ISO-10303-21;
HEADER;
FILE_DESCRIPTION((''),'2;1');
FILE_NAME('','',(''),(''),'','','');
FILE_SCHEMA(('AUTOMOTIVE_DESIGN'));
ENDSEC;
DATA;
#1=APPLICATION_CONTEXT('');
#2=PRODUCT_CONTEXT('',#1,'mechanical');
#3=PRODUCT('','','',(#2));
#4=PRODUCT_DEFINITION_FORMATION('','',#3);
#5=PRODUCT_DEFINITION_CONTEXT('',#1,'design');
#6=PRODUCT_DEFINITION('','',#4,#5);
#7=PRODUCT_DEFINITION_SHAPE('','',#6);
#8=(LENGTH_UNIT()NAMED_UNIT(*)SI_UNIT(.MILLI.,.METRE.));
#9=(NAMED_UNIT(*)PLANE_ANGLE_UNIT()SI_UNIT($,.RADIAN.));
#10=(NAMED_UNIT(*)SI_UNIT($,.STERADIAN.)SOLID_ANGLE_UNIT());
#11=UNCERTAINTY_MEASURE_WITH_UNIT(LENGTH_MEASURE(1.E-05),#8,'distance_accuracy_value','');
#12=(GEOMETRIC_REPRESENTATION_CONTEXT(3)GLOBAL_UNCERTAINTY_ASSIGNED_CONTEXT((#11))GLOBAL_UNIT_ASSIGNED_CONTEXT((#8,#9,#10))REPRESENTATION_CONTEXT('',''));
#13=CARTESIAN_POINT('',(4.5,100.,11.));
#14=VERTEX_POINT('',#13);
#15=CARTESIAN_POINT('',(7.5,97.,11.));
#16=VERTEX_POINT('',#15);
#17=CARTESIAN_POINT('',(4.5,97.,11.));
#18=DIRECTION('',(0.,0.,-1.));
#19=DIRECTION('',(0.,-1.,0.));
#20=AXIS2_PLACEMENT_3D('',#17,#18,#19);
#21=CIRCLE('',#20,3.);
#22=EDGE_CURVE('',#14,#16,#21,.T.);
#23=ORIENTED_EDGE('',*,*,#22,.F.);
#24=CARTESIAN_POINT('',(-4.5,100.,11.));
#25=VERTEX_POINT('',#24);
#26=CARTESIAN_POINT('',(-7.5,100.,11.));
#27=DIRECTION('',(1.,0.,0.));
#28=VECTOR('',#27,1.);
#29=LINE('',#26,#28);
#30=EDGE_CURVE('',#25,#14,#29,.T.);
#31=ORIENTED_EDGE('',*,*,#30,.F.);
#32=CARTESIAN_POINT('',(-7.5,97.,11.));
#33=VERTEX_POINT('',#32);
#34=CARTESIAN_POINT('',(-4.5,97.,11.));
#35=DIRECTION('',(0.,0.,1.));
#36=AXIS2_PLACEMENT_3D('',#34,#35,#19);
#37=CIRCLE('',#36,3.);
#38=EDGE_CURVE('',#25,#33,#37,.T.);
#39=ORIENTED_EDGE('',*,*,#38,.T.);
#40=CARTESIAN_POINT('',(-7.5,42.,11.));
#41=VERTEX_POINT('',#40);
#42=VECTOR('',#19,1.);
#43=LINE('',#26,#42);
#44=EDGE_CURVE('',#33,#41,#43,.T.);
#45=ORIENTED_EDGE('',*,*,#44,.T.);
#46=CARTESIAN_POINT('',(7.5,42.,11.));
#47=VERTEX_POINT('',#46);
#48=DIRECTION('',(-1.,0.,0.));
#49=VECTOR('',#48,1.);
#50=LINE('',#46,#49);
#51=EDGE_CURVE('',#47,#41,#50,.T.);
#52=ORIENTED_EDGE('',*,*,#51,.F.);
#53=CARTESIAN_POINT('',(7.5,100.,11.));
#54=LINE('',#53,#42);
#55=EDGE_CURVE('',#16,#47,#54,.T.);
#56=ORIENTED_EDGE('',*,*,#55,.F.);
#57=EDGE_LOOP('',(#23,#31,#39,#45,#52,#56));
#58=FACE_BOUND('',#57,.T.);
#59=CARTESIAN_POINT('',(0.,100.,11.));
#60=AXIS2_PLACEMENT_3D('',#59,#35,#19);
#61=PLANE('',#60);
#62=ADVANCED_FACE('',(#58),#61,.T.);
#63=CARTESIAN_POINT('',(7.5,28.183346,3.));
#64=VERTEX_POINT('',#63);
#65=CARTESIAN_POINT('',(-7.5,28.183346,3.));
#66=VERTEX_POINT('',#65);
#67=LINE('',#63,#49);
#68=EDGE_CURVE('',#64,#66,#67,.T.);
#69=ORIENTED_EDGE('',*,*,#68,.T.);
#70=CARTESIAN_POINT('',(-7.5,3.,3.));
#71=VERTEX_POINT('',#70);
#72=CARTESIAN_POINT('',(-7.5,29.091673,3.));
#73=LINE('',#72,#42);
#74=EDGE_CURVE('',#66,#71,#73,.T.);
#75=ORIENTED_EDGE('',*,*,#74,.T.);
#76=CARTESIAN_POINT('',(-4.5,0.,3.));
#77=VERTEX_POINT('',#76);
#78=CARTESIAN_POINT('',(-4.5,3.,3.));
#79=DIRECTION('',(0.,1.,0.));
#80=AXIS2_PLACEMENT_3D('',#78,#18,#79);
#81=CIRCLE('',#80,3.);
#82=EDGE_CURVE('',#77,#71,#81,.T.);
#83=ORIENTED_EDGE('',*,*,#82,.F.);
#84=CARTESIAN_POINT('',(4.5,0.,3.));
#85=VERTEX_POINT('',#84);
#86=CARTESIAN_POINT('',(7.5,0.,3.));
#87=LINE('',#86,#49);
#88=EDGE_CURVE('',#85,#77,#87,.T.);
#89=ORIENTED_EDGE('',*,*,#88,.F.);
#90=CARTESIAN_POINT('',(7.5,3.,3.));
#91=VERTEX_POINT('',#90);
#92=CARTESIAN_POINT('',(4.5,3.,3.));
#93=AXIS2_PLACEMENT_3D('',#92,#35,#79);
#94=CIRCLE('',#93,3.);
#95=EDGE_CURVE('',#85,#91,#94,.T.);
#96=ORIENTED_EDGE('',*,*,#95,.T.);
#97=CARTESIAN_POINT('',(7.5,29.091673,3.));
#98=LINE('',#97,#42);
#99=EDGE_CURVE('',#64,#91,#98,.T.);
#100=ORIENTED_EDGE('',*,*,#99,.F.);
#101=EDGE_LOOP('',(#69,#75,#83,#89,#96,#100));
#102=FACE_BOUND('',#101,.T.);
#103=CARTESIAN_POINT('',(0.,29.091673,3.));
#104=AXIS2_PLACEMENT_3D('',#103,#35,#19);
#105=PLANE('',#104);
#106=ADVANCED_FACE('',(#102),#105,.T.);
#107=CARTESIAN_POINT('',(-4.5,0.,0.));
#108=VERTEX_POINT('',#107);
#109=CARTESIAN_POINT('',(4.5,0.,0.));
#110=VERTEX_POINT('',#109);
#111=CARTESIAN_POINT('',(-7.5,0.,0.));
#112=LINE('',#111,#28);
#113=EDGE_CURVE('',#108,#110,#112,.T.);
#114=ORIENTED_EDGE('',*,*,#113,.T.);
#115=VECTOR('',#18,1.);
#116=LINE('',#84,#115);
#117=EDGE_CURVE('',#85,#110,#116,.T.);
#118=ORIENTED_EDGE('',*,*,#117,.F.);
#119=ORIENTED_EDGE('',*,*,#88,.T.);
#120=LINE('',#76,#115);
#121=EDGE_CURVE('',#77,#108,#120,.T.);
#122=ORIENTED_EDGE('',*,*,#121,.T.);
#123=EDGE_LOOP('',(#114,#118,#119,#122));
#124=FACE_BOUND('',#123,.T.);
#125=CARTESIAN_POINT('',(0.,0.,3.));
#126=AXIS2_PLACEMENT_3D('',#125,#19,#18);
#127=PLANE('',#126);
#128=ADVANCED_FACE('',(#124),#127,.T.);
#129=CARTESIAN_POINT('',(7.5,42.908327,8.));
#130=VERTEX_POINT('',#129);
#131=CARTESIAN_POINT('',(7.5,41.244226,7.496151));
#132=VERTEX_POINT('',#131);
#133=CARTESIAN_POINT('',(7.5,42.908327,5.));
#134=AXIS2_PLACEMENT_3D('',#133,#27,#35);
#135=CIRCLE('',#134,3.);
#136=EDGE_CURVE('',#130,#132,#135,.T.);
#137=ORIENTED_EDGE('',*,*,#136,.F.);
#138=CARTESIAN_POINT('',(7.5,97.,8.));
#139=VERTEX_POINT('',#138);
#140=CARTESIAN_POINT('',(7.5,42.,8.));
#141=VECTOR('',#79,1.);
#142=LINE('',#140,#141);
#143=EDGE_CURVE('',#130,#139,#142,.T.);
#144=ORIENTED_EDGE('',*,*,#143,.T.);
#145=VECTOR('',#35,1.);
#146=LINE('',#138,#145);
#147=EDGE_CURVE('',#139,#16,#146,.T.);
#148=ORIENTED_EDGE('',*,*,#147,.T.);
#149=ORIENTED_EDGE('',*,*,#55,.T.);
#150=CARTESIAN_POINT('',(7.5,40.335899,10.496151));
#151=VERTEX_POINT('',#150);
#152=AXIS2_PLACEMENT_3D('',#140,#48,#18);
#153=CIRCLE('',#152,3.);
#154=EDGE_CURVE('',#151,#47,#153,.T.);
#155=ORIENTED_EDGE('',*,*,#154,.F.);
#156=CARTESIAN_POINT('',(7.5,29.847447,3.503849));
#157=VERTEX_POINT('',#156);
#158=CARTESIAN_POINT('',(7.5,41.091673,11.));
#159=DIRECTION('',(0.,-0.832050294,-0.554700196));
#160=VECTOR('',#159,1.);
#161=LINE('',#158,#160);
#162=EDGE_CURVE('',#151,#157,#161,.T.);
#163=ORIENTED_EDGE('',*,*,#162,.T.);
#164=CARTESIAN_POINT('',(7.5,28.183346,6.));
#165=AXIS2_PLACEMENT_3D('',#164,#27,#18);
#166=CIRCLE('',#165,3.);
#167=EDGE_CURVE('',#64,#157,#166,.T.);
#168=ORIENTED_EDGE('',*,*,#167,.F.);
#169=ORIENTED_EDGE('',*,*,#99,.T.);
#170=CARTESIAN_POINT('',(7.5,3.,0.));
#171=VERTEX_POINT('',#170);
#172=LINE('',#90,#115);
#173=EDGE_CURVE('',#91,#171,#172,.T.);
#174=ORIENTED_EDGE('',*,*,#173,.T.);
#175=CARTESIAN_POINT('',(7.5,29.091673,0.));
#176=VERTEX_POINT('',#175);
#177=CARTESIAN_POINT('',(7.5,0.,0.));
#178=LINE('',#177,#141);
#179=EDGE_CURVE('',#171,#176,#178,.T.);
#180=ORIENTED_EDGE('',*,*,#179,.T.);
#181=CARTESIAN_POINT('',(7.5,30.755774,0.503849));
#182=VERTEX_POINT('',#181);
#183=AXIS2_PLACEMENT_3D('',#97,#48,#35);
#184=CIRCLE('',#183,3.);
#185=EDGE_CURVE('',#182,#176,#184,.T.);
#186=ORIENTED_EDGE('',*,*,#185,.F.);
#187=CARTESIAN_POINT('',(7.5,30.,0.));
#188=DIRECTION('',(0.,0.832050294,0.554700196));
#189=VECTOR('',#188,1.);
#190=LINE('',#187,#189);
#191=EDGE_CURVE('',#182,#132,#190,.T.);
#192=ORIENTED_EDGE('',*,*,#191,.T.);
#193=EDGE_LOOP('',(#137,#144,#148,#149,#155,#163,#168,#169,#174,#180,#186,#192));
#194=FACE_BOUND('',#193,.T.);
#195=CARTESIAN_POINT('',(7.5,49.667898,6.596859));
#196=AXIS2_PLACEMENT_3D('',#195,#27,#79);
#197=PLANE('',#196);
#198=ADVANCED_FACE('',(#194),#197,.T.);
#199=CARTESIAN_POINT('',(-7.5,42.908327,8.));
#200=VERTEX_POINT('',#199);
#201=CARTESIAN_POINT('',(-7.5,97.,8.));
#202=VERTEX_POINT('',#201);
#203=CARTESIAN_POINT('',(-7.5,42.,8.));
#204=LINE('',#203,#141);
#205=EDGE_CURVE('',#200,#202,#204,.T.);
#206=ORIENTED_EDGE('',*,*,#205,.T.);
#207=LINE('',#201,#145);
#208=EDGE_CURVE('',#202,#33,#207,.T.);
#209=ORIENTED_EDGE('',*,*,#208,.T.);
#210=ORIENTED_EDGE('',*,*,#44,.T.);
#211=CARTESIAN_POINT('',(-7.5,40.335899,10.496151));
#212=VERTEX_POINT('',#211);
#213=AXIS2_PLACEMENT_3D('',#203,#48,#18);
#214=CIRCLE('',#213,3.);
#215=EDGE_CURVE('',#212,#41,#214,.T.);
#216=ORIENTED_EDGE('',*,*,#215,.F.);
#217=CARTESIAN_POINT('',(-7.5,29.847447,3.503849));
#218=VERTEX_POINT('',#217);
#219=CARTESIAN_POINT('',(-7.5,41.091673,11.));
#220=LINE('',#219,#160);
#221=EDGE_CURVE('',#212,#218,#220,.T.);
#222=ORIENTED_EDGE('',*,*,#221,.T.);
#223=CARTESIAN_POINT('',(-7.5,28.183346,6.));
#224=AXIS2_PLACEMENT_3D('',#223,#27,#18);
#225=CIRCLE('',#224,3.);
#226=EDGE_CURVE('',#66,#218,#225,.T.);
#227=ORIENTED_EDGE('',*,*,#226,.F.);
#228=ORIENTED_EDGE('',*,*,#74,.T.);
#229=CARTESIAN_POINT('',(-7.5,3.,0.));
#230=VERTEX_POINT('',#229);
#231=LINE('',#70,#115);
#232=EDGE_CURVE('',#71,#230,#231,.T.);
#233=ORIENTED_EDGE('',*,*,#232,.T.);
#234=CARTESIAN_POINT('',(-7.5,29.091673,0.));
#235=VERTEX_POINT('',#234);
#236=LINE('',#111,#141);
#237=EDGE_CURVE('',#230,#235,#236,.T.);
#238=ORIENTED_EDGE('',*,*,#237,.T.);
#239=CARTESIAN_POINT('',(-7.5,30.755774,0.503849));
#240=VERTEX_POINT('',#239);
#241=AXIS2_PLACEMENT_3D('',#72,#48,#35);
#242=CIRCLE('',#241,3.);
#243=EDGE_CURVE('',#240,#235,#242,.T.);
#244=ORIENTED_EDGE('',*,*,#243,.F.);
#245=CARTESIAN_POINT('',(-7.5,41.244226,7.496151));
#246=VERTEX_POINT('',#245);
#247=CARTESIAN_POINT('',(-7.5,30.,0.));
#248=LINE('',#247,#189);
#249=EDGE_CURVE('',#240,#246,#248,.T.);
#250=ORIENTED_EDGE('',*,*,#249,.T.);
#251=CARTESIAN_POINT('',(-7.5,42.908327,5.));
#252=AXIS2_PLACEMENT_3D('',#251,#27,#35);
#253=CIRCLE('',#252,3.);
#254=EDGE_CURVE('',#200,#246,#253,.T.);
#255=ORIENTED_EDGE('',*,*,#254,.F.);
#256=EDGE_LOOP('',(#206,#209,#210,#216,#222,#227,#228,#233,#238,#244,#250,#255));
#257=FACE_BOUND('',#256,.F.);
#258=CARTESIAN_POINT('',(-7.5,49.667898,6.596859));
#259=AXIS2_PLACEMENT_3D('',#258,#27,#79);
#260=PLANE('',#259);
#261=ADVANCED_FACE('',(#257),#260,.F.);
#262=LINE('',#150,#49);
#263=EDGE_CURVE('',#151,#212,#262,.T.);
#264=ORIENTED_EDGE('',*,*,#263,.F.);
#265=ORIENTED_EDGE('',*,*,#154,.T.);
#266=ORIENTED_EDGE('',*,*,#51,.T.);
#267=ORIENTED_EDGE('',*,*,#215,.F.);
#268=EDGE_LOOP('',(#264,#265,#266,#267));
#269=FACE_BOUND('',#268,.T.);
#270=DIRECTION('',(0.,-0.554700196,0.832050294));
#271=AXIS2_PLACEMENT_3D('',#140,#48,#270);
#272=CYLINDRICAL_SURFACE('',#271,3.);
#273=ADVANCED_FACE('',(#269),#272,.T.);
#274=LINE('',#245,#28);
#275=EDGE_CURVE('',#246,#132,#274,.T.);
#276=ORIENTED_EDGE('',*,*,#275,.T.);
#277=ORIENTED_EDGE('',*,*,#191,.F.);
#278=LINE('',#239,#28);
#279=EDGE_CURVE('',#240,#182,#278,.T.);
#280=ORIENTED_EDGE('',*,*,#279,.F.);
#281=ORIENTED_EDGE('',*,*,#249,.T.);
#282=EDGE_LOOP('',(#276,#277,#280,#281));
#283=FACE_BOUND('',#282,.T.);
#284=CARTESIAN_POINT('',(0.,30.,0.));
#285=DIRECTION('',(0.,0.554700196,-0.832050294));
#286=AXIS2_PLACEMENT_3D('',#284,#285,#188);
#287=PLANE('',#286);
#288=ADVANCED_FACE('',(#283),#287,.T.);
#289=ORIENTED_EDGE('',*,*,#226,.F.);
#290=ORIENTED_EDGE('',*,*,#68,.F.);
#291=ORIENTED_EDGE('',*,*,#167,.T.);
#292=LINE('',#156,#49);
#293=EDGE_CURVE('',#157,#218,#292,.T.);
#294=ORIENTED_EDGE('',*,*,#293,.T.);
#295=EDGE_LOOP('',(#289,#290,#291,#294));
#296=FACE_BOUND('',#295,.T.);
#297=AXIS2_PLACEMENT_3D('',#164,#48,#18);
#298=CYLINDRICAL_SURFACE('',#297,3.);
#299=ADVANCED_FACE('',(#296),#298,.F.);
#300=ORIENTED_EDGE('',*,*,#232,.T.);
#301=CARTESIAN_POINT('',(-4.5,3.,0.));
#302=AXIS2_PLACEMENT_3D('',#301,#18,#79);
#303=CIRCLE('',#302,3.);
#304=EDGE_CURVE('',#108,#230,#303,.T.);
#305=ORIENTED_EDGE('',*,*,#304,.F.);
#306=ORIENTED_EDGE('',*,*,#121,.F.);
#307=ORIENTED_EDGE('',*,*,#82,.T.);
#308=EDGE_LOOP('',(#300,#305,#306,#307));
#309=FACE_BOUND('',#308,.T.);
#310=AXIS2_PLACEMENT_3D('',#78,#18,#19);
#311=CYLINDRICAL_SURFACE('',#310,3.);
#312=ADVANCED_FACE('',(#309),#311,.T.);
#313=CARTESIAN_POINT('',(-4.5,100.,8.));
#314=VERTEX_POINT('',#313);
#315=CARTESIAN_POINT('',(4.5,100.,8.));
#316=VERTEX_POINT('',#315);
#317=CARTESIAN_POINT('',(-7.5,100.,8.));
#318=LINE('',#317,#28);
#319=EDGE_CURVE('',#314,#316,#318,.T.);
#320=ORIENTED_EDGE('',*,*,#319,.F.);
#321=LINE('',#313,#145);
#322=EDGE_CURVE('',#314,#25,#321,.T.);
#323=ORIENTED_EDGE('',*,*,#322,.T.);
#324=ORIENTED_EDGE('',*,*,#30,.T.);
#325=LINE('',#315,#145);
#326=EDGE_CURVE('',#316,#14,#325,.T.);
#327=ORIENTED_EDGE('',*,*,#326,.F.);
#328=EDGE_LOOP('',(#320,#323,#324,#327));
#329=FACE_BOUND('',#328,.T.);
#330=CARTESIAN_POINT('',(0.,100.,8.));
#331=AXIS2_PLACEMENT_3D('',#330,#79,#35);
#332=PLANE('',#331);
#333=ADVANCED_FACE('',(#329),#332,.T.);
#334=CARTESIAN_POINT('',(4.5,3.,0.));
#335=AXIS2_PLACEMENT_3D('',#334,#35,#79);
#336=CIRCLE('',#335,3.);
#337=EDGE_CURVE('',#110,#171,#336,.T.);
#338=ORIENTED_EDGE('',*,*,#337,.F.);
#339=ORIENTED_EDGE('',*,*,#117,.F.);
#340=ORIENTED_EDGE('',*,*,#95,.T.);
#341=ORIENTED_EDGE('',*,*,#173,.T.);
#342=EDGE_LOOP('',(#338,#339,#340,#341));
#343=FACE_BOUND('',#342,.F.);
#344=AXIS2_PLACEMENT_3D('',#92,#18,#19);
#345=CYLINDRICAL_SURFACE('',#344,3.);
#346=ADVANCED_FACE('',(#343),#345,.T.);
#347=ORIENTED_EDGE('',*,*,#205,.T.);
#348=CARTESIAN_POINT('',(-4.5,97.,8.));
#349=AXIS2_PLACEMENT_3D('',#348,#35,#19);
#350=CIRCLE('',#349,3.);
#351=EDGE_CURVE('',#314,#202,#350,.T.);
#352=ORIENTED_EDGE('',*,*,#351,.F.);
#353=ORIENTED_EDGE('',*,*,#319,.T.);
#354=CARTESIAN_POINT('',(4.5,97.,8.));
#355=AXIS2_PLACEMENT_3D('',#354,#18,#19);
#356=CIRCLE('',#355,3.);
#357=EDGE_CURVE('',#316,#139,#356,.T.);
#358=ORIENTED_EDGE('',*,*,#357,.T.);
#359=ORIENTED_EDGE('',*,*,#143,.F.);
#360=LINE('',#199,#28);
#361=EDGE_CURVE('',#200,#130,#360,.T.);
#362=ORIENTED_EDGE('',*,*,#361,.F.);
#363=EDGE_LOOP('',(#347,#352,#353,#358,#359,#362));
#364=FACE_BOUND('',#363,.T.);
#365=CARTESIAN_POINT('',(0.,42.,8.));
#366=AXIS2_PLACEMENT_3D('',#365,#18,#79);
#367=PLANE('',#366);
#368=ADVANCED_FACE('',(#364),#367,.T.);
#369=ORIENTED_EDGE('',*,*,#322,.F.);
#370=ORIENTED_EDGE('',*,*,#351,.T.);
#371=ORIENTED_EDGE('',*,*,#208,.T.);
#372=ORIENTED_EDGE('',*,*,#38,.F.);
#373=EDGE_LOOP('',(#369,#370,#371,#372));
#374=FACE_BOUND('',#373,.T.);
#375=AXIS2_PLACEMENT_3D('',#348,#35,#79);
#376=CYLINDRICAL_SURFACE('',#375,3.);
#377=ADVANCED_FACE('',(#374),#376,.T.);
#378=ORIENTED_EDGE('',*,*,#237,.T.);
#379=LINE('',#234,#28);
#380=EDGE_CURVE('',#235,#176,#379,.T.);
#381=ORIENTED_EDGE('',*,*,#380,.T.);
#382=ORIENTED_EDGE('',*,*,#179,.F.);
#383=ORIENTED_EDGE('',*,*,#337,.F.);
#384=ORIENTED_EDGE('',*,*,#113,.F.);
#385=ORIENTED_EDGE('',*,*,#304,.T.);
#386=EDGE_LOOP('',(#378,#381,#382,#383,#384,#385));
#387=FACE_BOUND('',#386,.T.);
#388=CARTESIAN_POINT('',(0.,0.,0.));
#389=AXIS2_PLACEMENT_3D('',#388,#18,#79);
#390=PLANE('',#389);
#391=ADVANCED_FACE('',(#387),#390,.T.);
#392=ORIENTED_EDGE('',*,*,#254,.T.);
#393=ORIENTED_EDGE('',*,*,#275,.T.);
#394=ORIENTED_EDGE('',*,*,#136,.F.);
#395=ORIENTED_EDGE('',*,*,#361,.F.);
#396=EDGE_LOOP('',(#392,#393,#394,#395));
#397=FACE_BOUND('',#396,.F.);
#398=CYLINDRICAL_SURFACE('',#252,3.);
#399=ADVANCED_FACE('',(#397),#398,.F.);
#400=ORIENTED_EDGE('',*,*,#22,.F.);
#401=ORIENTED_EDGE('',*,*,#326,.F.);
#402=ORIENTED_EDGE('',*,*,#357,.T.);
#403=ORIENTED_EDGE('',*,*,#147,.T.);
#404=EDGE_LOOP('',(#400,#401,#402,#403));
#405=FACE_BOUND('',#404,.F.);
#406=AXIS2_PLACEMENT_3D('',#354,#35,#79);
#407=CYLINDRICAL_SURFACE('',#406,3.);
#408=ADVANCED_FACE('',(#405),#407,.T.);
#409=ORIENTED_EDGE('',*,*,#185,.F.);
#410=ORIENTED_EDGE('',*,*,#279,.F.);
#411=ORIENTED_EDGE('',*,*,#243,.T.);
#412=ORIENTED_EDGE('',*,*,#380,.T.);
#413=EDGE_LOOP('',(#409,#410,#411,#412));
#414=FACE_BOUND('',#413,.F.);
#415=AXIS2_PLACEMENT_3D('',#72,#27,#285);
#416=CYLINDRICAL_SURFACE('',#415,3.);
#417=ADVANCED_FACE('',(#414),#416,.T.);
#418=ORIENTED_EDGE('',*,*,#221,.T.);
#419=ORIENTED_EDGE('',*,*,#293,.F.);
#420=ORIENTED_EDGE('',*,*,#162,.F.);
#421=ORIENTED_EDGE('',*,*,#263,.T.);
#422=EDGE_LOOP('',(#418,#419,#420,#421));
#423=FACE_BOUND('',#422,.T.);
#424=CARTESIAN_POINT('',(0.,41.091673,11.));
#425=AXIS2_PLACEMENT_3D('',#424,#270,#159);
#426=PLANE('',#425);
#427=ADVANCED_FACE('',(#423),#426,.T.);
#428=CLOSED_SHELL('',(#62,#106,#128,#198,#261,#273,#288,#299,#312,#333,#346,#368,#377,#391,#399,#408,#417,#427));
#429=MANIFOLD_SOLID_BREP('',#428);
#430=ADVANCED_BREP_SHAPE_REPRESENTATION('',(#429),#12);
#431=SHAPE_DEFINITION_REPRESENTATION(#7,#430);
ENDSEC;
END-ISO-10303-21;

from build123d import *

# Parameters (mm, degrees)
F1_DEPTH = 7.5
F2_R     = 3


with BuildPart() as f1:
    # F0 (on Right) → F1 (new body, symmetric)
    with BuildSketch(Plane.YZ):
        Polygon((0, 3), (0, 0), (30, 0), (42, 8), (100, 8), (100, 11), (41.091673, 11), (29.091673, 3), align=None)
    extrude(amount=F1_DEPTH, both=True)

    # F2
    f2_edges = [f1.edges().sort_by_distance(p)[0] for p in [
        (7.5, 0, 1.5),
        (-7.5, 0, 1.5),
        (0, 41.091673, 11),
        (0, 29.091673, 3),
        (0, 30, 0),
        (0, 42, 8),
        (7.5, 100, 9.5),
        (-7.5, 100, 9.5),
    ]]
    fillet(f2_edges, radius=F2_R)


solid = f1.part
